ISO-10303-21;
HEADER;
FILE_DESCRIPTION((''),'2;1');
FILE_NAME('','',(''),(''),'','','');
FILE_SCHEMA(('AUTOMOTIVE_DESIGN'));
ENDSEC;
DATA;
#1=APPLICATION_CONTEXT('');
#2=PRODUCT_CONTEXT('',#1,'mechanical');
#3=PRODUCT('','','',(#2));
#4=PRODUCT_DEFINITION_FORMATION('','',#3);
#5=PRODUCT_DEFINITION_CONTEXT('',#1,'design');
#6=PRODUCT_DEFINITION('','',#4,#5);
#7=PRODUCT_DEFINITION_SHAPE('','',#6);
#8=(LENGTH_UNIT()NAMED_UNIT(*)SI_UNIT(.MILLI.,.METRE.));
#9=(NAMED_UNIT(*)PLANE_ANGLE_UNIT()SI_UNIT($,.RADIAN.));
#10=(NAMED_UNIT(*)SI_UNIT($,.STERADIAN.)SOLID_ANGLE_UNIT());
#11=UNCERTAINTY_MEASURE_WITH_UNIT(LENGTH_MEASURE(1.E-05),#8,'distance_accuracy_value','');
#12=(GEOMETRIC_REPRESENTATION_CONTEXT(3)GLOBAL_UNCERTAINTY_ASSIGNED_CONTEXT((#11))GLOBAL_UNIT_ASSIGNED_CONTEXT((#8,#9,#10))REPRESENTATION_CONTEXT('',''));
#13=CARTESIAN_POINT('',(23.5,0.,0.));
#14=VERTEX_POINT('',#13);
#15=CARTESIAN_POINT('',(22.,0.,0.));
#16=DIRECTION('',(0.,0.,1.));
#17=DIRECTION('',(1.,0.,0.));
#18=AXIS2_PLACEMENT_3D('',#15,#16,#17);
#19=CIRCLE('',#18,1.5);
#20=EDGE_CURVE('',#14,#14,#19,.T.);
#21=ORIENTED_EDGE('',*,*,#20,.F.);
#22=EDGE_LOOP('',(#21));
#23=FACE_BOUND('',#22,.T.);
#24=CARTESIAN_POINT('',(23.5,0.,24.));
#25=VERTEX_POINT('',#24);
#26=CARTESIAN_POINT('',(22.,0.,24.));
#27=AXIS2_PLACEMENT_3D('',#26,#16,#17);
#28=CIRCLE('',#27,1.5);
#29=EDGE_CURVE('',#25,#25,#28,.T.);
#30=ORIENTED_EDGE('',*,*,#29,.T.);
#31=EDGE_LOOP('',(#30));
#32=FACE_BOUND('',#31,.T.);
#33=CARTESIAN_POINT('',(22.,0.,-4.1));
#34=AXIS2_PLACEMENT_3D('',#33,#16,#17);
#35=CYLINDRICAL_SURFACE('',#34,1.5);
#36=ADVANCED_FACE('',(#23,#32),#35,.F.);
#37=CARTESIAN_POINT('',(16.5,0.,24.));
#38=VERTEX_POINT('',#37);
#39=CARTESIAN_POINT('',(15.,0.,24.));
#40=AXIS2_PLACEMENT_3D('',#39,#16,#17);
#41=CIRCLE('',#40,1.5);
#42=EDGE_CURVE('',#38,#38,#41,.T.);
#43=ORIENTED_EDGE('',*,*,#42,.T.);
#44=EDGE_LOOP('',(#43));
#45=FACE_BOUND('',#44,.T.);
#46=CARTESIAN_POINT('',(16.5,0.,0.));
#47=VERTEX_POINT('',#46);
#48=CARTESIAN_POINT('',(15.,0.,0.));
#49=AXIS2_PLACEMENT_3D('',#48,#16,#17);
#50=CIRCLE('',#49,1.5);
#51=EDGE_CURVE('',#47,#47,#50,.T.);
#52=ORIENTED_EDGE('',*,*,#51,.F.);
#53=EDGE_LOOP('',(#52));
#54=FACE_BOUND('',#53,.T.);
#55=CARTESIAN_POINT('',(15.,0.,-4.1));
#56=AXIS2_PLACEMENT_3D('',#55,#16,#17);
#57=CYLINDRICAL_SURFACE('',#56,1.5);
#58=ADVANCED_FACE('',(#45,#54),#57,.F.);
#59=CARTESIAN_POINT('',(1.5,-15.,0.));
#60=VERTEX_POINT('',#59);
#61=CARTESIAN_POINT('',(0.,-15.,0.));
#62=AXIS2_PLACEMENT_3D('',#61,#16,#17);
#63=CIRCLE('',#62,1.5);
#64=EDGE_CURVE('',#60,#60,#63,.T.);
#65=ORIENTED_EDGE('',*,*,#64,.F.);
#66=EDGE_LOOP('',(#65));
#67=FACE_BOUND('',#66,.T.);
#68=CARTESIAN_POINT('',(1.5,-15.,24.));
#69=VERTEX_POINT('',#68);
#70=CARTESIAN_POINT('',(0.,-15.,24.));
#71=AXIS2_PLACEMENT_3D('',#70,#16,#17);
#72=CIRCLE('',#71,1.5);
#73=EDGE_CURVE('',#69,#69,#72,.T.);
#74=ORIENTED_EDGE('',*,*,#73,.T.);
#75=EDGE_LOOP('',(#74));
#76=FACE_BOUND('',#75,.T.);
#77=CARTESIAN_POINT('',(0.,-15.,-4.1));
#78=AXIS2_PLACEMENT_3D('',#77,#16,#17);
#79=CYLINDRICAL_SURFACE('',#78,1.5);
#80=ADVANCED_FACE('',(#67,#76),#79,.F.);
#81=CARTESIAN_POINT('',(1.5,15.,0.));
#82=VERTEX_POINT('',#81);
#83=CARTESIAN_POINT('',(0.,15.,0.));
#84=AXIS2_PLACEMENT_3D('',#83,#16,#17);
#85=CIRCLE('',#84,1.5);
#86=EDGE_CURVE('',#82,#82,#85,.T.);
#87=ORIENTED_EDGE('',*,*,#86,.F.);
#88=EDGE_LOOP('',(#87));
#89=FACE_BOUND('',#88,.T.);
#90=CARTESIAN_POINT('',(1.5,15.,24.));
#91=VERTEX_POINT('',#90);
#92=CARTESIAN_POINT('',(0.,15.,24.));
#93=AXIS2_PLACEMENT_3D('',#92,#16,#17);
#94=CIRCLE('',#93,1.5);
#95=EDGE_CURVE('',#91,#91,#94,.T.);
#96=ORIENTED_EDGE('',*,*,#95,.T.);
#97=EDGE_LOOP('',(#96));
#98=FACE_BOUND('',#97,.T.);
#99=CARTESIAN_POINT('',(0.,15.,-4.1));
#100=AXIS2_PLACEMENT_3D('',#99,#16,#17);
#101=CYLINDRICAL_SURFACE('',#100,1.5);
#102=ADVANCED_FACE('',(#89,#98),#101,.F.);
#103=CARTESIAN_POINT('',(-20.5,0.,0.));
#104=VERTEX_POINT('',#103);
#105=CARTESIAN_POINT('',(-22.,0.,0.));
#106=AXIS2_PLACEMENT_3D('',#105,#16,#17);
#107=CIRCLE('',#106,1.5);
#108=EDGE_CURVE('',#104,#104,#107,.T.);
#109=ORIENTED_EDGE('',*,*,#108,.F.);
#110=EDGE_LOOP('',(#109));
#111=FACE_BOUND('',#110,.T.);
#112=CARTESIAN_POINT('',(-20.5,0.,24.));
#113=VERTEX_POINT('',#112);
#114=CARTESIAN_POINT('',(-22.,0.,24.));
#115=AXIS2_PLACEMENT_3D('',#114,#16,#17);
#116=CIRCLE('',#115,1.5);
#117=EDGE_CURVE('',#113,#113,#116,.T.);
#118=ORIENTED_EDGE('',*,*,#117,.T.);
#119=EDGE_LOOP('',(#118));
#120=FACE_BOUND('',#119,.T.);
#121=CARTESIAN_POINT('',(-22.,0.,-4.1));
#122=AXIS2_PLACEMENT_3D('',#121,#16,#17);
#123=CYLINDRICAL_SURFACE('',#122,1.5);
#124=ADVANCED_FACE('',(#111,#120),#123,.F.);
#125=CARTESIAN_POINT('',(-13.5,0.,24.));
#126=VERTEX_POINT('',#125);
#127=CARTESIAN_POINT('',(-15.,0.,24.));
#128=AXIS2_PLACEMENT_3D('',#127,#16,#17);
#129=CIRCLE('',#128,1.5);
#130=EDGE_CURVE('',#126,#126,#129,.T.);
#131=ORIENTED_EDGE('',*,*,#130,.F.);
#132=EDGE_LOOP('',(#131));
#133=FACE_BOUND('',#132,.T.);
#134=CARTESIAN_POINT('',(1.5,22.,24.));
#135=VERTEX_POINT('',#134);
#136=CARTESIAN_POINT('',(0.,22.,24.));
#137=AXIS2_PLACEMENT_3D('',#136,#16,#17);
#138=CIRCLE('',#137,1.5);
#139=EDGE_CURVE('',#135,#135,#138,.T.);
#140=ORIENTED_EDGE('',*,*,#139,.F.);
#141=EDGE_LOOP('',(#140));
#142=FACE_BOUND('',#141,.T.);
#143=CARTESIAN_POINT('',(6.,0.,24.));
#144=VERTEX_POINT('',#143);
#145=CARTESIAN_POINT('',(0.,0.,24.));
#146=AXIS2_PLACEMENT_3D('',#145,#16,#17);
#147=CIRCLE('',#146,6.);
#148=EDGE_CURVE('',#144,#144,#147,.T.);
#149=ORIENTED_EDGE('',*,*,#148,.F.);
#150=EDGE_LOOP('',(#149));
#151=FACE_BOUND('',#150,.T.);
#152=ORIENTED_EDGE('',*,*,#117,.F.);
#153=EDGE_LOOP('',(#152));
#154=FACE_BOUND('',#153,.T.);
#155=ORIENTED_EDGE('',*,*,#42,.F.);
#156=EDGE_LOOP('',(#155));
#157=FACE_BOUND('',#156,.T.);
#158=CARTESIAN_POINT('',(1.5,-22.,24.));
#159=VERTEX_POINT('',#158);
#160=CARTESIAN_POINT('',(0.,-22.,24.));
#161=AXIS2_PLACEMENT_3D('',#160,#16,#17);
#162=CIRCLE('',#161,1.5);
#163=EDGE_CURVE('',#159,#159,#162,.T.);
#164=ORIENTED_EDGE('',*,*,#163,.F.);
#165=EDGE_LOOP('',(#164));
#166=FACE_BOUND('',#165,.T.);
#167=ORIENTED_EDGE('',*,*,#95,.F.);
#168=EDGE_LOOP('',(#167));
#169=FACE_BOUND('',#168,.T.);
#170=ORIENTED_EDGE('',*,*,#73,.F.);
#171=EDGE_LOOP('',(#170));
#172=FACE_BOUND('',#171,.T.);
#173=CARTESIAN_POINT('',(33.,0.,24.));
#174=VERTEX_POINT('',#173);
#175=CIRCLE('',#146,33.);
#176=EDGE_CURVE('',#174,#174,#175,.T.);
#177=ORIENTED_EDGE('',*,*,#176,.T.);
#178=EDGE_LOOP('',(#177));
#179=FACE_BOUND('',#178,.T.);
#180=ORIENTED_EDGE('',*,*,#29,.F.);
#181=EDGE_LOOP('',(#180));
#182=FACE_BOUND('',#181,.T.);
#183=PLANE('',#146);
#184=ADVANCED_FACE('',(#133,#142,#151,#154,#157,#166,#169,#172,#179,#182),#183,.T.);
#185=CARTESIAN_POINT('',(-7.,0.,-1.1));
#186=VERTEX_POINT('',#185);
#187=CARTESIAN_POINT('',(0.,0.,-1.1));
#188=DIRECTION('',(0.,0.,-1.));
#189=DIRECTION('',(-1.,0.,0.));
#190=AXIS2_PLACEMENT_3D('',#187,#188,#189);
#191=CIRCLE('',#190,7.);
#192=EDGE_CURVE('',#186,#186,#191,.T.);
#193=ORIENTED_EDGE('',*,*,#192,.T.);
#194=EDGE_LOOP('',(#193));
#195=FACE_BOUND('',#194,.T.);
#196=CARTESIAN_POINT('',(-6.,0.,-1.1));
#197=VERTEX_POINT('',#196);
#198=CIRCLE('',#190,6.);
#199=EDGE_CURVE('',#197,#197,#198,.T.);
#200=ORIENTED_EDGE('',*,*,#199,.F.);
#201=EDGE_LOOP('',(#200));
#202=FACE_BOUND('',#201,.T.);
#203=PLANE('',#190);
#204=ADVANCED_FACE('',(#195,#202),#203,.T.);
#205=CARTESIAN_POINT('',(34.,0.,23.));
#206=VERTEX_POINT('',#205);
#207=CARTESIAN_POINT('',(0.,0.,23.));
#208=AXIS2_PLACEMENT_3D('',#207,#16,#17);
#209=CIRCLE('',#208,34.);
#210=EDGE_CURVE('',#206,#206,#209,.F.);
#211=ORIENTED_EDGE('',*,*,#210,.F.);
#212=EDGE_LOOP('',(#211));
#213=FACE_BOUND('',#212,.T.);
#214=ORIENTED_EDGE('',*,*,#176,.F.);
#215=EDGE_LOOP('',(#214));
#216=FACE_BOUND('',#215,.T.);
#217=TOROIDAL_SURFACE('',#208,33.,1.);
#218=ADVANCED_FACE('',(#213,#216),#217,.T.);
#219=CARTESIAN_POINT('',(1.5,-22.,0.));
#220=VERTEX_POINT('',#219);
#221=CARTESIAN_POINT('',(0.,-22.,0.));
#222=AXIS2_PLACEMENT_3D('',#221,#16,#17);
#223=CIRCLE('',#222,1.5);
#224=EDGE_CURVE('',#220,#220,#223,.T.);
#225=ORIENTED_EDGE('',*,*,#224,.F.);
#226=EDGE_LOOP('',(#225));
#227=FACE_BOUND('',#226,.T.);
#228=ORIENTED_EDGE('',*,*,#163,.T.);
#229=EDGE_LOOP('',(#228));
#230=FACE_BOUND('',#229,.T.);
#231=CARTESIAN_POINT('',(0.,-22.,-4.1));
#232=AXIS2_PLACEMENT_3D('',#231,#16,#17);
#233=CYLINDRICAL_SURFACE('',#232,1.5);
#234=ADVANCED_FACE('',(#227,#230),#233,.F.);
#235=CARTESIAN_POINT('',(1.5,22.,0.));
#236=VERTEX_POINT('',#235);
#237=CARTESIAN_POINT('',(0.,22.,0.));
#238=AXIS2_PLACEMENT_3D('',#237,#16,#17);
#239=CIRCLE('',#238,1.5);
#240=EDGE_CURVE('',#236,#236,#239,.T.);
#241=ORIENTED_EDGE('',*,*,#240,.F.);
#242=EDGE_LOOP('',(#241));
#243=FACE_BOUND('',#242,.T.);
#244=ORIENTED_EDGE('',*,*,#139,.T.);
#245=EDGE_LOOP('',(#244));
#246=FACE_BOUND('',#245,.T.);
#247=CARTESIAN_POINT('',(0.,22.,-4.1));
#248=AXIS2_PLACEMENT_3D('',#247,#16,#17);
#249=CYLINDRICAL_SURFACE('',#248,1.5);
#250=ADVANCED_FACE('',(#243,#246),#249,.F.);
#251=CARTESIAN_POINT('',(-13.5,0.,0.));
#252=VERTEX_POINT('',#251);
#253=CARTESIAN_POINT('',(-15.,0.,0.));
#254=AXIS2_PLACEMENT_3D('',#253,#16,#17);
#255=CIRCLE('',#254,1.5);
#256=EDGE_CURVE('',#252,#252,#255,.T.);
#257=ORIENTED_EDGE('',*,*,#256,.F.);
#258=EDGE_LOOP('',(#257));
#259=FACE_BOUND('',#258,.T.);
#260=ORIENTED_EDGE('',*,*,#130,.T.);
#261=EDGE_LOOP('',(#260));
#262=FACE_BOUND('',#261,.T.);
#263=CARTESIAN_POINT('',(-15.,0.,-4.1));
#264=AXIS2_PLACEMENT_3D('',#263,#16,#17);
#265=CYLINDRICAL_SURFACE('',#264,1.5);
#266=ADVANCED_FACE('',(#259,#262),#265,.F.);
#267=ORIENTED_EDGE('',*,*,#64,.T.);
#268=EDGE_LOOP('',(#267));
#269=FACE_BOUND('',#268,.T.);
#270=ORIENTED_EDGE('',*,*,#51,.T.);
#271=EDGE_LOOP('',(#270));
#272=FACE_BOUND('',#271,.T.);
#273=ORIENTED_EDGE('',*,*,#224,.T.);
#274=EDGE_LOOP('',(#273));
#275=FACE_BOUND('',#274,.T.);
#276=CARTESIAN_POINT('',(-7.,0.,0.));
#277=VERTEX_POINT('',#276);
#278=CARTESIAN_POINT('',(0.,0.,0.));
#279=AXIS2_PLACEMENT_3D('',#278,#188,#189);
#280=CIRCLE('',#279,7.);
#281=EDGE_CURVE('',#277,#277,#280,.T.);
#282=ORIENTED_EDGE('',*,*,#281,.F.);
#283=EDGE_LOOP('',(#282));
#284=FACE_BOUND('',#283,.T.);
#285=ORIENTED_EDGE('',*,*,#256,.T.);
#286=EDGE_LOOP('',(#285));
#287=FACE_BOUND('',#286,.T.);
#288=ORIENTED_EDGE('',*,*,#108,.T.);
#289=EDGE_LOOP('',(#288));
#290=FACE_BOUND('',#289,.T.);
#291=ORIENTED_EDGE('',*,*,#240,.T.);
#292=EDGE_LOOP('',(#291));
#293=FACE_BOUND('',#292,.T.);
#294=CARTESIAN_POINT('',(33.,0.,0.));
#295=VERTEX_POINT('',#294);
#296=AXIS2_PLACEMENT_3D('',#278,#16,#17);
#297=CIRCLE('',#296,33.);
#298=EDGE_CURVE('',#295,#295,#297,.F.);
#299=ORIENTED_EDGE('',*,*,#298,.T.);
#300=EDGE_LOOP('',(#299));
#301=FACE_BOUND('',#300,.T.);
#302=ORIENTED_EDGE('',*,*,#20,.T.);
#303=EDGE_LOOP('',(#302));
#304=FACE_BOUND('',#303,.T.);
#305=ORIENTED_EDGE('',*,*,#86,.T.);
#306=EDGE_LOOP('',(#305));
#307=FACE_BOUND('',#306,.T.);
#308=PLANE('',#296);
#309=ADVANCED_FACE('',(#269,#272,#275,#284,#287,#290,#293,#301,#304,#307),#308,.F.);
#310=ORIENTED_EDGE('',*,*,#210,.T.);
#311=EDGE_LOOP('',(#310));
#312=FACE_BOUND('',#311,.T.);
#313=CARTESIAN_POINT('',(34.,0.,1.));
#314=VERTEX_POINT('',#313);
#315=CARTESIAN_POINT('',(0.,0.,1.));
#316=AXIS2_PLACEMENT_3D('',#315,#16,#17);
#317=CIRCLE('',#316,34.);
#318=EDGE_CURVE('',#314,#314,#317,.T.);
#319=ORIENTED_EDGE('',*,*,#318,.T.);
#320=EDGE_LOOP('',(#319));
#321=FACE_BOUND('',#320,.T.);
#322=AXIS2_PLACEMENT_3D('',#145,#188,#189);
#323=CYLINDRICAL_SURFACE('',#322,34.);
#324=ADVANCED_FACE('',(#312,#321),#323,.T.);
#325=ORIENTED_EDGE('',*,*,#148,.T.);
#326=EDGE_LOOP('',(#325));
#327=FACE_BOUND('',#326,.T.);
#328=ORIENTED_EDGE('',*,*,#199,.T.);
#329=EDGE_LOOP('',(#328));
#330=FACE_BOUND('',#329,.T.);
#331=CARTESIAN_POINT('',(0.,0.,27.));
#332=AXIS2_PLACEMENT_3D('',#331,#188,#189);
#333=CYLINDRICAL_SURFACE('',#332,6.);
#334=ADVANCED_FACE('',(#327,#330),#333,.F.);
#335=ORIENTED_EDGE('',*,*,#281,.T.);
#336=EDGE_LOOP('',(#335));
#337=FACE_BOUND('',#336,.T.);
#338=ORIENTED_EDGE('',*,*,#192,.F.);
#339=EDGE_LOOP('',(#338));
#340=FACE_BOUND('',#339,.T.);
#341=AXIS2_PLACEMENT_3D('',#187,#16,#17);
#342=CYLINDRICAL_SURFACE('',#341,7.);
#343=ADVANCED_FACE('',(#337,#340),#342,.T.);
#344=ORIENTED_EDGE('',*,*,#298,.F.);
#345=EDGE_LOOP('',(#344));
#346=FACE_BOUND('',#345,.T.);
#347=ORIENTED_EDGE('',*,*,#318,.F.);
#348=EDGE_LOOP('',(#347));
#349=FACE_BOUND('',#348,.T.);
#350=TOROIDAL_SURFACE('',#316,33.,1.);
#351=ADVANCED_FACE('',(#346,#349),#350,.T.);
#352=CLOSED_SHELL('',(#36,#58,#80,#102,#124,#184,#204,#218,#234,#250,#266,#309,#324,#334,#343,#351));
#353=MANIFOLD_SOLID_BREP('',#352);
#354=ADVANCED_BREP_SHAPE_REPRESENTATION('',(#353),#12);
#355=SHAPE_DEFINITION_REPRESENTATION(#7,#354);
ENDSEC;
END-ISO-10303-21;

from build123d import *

# Parameters (mm, degrees)
SKETCH_1_R          = 34
EXTRUDE_1_DEPTH     = 24
SKETCH_2_R          = 7
EXTRUDE_2_DEPTH     = 1.1
SKETCH_3_R          = 6
CUT_EXTRUDE_1_DEPTH = 28.1
SKETCH_4_R          = 1.5
CUT_EXTRUDE_2_DEPTH = 28.1
FILLET_2_R          = 1
FILLET_3_R          = 1


with BuildPart() as part:
    # 草图1 → 凸台-拉伸1 (new body)
    with BuildSketch(Plane.XY):
        Circle(SKETCH_1_R)
    extrude(amount=EXTRUDE_1_DEPTH)

    # 草图2 → 凸台-拉伸2 (add)
    with BuildSketch(Plane(origin=(0, 0, 0), x_dir=(-1, 0, 0), z_dir=(0, 0, -1))):
        Circle(SKETCH_2_R)
    extrude(amount=EXTRUDE_2_DEPTH)

    # 草图3 → 切除-拉伸1 (cut)
    with BuildSketch(Plane(origin=(0, 0, -1.1), x_dir=(-1, 0, 0), z_dir=(0, 0, -1))):
        Circle(SKETCH_3_R)
    extrude(amount=-CUT_EXTRUDE_1_DEPTH, mode=Mode.SUBTRACT)

    # 草图4 → 切除-拉伸2 (cut)
    with BuildSketch(Plane.XY.offset(24)):
        with Locations((0, 22)):
            Circle(SKETCH_4_R)
        with Locations((0, -22)):
            Circle(SKETCH_4_R)
        with Locations((-22, 0)):
            Circle(SKETCH_4_R)
        with Locations((22, 0)):
            Circle(SKETCH_4_R)
        with Locations((0, 15)):
            Circle(SKETCH_4_R)
        with Locations((-15, 0)):
            Circle(SKETCH_4_R)
        with Locations((15, 0)):
            Circle(SKETCH_4_R)
        with Locations((0, -15)):
            Circle(SKETCH_4_R)
    extrude(amount=-CUT_EXTRUDE_2_DEPTH, mode=Mode.SUBTRACT)

    # 圆角2
    fillet_2_edges = [part.edges().sort_by_distance(p)[0] for p in [
        (-34, 0, 0),
    ]]
    fillet(fillet_2_edges, radius=FILLET_2_R)

    # 圆角3
    fillet_3_edges = [part.edges().sort_by_distance(p)[0] for p in [
        (-34, 0, 24),
    ]]
    fillet(fillet_3_edges, radius=FILLET_3_R)


solid = part.part
